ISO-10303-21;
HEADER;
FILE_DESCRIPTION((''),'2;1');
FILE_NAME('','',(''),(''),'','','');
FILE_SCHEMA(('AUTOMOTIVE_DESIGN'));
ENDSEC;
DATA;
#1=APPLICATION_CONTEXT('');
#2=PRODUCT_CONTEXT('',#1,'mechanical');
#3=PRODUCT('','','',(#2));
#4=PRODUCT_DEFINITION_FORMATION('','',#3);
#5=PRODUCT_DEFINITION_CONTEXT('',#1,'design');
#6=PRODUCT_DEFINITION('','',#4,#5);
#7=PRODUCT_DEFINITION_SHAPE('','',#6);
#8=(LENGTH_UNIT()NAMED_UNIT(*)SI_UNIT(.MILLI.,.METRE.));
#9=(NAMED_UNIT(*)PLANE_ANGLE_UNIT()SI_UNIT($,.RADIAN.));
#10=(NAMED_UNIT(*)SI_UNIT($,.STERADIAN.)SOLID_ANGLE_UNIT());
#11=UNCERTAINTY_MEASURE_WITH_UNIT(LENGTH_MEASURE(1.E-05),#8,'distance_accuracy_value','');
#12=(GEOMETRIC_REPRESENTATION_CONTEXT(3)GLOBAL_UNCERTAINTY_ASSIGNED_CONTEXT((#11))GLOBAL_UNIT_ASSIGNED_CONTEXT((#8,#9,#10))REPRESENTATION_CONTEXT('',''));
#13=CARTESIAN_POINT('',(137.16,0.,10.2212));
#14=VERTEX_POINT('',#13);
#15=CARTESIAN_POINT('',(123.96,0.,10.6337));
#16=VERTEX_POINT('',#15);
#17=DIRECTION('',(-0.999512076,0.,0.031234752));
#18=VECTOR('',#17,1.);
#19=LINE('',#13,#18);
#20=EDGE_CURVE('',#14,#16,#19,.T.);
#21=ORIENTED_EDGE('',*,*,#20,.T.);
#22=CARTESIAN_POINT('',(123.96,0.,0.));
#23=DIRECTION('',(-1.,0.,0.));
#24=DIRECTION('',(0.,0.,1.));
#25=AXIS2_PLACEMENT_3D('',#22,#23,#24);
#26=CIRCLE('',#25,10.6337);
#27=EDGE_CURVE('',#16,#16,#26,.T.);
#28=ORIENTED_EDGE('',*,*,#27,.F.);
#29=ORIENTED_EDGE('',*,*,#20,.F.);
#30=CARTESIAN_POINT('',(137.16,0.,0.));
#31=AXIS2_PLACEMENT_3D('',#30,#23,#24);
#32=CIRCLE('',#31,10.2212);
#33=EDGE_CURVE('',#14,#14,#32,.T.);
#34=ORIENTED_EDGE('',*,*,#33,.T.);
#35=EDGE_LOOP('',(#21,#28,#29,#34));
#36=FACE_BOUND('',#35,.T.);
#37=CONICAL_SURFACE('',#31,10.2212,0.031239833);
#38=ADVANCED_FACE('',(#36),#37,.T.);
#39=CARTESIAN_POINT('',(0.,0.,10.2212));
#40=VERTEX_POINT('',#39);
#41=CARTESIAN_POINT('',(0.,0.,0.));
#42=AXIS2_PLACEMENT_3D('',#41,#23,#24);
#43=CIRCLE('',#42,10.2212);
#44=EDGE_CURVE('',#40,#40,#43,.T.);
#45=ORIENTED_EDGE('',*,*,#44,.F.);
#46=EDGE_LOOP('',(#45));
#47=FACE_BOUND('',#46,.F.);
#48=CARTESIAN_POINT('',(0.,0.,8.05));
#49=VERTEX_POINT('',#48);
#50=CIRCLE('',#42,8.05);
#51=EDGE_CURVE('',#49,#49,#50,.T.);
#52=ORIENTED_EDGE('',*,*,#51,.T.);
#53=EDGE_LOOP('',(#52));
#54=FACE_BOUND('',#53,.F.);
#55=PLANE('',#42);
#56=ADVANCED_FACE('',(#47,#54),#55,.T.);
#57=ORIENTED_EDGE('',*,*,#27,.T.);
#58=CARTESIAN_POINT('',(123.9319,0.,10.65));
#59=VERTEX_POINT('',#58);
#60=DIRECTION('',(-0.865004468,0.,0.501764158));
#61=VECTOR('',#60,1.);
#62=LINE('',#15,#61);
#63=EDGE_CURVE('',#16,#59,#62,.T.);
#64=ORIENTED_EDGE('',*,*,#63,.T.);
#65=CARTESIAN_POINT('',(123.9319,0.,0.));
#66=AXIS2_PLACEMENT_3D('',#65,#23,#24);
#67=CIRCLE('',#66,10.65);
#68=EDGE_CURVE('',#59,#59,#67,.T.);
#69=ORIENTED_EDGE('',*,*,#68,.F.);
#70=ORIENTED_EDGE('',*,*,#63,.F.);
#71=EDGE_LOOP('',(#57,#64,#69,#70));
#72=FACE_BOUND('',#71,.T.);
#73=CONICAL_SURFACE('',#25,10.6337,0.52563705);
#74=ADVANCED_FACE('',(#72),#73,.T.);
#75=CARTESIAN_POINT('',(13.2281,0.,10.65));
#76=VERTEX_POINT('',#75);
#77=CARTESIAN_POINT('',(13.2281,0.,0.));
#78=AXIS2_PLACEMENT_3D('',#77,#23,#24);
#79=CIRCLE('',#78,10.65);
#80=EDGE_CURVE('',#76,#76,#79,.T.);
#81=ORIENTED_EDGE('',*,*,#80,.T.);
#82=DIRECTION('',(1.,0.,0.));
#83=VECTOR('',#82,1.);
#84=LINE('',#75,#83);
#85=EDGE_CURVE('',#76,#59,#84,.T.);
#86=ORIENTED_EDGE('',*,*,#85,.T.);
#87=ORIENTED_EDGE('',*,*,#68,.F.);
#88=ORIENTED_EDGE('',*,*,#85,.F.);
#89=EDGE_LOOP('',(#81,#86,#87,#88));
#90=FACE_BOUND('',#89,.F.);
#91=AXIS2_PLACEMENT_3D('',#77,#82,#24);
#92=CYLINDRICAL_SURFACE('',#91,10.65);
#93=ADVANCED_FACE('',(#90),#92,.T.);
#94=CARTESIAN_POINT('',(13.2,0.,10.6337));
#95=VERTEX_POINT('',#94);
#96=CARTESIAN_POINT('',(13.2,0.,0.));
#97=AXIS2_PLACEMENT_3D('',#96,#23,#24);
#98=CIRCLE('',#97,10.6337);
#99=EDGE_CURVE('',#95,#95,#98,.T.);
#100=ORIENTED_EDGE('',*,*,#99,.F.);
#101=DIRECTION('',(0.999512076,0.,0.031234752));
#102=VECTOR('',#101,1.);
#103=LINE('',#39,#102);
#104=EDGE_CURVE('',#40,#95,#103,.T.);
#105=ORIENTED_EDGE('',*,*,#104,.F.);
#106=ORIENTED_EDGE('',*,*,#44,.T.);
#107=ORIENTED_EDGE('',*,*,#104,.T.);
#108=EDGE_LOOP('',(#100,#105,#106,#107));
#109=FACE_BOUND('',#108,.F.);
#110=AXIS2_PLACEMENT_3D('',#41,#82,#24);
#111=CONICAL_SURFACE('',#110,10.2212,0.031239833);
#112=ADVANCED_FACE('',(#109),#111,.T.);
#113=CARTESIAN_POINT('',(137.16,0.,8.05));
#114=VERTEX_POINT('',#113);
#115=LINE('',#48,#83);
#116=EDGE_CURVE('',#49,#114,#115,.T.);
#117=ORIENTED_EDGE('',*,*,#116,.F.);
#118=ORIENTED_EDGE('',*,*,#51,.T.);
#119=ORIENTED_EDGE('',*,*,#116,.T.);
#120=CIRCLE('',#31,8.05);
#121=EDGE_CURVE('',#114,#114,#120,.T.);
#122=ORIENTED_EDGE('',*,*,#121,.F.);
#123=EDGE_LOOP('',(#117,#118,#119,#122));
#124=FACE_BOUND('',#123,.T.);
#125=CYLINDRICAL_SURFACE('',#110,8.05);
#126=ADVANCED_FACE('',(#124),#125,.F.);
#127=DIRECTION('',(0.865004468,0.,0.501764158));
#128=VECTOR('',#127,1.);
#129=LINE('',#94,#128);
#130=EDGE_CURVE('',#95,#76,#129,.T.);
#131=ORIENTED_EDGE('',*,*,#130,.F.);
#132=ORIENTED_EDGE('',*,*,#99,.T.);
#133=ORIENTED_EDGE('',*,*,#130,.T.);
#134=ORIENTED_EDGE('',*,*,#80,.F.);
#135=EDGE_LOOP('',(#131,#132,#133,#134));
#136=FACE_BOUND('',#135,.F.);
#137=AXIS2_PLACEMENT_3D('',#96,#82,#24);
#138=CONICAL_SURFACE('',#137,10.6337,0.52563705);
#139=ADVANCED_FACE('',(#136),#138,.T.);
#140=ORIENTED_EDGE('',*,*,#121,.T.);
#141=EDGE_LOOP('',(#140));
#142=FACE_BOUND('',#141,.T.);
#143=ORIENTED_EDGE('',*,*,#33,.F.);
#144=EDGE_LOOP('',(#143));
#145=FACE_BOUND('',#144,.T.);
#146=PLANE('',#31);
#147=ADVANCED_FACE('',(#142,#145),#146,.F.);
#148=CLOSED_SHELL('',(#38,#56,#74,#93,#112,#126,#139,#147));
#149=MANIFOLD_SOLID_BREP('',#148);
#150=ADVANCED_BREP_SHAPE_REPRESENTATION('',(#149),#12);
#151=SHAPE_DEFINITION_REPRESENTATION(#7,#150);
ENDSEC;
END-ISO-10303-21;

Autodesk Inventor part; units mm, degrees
ref_plane "YZ Plane" through (0, 0, 0) normal (1, 0, 0) x (0, 1, 0)
ref_plane "XZ Plane" through (0, 0, 0) normal (0, 1, 0) x (-1, 0, 0)
ref_plane "XY Plane" through (0, 0, 0) normal (0, 0, 1) x (1, 0, 0)
sketch "Sketch1" plane through (0, 0, 0) normal (0, 1, 0) x (-1, 0, 0)
  line L0 (-137.16, 0) -> (0, 0)
  line L1 (0, 0) -> (0, 8.05) construction
  line L2 (0, 8.05) -> (0, 10.2212)
  line L3 (0, 10.2212) -> (-13.2, 10.6337)
  line L4 (-13.2, 10.6337) -> (-13.2281, 10.65)
  line L5 (-13.2281, 10.65) -> (-123.9319, 10.65)
  line L6 (0, 8.05) -> (-137.16, 8.05)
  line L7 (-68.58, 0) -> (-68.58, 10.65) construction
  line L8 (-137.16, 0) -> (-137.16, 8.05) construction
  line L9 (-137.16, 8.05) -> (-137.16, 10.2212)
  line L10 (-137.16, 10.2212) -> (-123.96, 10.6337)
  line L11 (-123.96, 10.6337) -> (-123.9319, 10.65)
  line L12 (-8.2, 10.4775) -> (-8.2, 0) construction
  line L13 (-13.2, 10.6337) -> (-13.2, 0) construction
  line L14 (-123.96, 10.6337) -> (-123.96, 0) construction
  dimension "d0" = 8.2
  dimension "d1" = 13.2
  dimension "d2" = 1.79
  dimension "d3" = 20.955
  dimension "d4" = 21.3
  dimension "d5" = 2.6
  dimension "d6" = 137.16
  dimension "d7" = 30
revolve "Revolution1" add sketch "Sketch1" angle 360 about axis through (137.16, 0, 0) along (-1, 0, 0)
thread "Thread1" size "R 1/2" standard "ISO Taper" full length
thread "Thread2" size "R 1/2" standard "ISO Taper" full length
equation "\"d0\" = a"
equation "\"d1\" = LT"
equation "\"d3\" = MjD"
equation "\"d4\" = OD"
equation "\"d5\" = T"
equation "\"d6\" = L"
equation "\"OD\" = 21.3"
equation "\"T\" = 2.6"
equation "\"L\" = PL"
equation "\"LT\" = 13.2"
equation "\"ID\" = 16.1"
equation "\"PL\" = 137.16"
equation "\"MjD\" = 20.955"
equation "\"a\" = 8.2"
equation "\"Size_Designation\" = 1.2345"
equation "\"PLmin\" = 2 * LT + T"
properties material "Stainless Steel"
